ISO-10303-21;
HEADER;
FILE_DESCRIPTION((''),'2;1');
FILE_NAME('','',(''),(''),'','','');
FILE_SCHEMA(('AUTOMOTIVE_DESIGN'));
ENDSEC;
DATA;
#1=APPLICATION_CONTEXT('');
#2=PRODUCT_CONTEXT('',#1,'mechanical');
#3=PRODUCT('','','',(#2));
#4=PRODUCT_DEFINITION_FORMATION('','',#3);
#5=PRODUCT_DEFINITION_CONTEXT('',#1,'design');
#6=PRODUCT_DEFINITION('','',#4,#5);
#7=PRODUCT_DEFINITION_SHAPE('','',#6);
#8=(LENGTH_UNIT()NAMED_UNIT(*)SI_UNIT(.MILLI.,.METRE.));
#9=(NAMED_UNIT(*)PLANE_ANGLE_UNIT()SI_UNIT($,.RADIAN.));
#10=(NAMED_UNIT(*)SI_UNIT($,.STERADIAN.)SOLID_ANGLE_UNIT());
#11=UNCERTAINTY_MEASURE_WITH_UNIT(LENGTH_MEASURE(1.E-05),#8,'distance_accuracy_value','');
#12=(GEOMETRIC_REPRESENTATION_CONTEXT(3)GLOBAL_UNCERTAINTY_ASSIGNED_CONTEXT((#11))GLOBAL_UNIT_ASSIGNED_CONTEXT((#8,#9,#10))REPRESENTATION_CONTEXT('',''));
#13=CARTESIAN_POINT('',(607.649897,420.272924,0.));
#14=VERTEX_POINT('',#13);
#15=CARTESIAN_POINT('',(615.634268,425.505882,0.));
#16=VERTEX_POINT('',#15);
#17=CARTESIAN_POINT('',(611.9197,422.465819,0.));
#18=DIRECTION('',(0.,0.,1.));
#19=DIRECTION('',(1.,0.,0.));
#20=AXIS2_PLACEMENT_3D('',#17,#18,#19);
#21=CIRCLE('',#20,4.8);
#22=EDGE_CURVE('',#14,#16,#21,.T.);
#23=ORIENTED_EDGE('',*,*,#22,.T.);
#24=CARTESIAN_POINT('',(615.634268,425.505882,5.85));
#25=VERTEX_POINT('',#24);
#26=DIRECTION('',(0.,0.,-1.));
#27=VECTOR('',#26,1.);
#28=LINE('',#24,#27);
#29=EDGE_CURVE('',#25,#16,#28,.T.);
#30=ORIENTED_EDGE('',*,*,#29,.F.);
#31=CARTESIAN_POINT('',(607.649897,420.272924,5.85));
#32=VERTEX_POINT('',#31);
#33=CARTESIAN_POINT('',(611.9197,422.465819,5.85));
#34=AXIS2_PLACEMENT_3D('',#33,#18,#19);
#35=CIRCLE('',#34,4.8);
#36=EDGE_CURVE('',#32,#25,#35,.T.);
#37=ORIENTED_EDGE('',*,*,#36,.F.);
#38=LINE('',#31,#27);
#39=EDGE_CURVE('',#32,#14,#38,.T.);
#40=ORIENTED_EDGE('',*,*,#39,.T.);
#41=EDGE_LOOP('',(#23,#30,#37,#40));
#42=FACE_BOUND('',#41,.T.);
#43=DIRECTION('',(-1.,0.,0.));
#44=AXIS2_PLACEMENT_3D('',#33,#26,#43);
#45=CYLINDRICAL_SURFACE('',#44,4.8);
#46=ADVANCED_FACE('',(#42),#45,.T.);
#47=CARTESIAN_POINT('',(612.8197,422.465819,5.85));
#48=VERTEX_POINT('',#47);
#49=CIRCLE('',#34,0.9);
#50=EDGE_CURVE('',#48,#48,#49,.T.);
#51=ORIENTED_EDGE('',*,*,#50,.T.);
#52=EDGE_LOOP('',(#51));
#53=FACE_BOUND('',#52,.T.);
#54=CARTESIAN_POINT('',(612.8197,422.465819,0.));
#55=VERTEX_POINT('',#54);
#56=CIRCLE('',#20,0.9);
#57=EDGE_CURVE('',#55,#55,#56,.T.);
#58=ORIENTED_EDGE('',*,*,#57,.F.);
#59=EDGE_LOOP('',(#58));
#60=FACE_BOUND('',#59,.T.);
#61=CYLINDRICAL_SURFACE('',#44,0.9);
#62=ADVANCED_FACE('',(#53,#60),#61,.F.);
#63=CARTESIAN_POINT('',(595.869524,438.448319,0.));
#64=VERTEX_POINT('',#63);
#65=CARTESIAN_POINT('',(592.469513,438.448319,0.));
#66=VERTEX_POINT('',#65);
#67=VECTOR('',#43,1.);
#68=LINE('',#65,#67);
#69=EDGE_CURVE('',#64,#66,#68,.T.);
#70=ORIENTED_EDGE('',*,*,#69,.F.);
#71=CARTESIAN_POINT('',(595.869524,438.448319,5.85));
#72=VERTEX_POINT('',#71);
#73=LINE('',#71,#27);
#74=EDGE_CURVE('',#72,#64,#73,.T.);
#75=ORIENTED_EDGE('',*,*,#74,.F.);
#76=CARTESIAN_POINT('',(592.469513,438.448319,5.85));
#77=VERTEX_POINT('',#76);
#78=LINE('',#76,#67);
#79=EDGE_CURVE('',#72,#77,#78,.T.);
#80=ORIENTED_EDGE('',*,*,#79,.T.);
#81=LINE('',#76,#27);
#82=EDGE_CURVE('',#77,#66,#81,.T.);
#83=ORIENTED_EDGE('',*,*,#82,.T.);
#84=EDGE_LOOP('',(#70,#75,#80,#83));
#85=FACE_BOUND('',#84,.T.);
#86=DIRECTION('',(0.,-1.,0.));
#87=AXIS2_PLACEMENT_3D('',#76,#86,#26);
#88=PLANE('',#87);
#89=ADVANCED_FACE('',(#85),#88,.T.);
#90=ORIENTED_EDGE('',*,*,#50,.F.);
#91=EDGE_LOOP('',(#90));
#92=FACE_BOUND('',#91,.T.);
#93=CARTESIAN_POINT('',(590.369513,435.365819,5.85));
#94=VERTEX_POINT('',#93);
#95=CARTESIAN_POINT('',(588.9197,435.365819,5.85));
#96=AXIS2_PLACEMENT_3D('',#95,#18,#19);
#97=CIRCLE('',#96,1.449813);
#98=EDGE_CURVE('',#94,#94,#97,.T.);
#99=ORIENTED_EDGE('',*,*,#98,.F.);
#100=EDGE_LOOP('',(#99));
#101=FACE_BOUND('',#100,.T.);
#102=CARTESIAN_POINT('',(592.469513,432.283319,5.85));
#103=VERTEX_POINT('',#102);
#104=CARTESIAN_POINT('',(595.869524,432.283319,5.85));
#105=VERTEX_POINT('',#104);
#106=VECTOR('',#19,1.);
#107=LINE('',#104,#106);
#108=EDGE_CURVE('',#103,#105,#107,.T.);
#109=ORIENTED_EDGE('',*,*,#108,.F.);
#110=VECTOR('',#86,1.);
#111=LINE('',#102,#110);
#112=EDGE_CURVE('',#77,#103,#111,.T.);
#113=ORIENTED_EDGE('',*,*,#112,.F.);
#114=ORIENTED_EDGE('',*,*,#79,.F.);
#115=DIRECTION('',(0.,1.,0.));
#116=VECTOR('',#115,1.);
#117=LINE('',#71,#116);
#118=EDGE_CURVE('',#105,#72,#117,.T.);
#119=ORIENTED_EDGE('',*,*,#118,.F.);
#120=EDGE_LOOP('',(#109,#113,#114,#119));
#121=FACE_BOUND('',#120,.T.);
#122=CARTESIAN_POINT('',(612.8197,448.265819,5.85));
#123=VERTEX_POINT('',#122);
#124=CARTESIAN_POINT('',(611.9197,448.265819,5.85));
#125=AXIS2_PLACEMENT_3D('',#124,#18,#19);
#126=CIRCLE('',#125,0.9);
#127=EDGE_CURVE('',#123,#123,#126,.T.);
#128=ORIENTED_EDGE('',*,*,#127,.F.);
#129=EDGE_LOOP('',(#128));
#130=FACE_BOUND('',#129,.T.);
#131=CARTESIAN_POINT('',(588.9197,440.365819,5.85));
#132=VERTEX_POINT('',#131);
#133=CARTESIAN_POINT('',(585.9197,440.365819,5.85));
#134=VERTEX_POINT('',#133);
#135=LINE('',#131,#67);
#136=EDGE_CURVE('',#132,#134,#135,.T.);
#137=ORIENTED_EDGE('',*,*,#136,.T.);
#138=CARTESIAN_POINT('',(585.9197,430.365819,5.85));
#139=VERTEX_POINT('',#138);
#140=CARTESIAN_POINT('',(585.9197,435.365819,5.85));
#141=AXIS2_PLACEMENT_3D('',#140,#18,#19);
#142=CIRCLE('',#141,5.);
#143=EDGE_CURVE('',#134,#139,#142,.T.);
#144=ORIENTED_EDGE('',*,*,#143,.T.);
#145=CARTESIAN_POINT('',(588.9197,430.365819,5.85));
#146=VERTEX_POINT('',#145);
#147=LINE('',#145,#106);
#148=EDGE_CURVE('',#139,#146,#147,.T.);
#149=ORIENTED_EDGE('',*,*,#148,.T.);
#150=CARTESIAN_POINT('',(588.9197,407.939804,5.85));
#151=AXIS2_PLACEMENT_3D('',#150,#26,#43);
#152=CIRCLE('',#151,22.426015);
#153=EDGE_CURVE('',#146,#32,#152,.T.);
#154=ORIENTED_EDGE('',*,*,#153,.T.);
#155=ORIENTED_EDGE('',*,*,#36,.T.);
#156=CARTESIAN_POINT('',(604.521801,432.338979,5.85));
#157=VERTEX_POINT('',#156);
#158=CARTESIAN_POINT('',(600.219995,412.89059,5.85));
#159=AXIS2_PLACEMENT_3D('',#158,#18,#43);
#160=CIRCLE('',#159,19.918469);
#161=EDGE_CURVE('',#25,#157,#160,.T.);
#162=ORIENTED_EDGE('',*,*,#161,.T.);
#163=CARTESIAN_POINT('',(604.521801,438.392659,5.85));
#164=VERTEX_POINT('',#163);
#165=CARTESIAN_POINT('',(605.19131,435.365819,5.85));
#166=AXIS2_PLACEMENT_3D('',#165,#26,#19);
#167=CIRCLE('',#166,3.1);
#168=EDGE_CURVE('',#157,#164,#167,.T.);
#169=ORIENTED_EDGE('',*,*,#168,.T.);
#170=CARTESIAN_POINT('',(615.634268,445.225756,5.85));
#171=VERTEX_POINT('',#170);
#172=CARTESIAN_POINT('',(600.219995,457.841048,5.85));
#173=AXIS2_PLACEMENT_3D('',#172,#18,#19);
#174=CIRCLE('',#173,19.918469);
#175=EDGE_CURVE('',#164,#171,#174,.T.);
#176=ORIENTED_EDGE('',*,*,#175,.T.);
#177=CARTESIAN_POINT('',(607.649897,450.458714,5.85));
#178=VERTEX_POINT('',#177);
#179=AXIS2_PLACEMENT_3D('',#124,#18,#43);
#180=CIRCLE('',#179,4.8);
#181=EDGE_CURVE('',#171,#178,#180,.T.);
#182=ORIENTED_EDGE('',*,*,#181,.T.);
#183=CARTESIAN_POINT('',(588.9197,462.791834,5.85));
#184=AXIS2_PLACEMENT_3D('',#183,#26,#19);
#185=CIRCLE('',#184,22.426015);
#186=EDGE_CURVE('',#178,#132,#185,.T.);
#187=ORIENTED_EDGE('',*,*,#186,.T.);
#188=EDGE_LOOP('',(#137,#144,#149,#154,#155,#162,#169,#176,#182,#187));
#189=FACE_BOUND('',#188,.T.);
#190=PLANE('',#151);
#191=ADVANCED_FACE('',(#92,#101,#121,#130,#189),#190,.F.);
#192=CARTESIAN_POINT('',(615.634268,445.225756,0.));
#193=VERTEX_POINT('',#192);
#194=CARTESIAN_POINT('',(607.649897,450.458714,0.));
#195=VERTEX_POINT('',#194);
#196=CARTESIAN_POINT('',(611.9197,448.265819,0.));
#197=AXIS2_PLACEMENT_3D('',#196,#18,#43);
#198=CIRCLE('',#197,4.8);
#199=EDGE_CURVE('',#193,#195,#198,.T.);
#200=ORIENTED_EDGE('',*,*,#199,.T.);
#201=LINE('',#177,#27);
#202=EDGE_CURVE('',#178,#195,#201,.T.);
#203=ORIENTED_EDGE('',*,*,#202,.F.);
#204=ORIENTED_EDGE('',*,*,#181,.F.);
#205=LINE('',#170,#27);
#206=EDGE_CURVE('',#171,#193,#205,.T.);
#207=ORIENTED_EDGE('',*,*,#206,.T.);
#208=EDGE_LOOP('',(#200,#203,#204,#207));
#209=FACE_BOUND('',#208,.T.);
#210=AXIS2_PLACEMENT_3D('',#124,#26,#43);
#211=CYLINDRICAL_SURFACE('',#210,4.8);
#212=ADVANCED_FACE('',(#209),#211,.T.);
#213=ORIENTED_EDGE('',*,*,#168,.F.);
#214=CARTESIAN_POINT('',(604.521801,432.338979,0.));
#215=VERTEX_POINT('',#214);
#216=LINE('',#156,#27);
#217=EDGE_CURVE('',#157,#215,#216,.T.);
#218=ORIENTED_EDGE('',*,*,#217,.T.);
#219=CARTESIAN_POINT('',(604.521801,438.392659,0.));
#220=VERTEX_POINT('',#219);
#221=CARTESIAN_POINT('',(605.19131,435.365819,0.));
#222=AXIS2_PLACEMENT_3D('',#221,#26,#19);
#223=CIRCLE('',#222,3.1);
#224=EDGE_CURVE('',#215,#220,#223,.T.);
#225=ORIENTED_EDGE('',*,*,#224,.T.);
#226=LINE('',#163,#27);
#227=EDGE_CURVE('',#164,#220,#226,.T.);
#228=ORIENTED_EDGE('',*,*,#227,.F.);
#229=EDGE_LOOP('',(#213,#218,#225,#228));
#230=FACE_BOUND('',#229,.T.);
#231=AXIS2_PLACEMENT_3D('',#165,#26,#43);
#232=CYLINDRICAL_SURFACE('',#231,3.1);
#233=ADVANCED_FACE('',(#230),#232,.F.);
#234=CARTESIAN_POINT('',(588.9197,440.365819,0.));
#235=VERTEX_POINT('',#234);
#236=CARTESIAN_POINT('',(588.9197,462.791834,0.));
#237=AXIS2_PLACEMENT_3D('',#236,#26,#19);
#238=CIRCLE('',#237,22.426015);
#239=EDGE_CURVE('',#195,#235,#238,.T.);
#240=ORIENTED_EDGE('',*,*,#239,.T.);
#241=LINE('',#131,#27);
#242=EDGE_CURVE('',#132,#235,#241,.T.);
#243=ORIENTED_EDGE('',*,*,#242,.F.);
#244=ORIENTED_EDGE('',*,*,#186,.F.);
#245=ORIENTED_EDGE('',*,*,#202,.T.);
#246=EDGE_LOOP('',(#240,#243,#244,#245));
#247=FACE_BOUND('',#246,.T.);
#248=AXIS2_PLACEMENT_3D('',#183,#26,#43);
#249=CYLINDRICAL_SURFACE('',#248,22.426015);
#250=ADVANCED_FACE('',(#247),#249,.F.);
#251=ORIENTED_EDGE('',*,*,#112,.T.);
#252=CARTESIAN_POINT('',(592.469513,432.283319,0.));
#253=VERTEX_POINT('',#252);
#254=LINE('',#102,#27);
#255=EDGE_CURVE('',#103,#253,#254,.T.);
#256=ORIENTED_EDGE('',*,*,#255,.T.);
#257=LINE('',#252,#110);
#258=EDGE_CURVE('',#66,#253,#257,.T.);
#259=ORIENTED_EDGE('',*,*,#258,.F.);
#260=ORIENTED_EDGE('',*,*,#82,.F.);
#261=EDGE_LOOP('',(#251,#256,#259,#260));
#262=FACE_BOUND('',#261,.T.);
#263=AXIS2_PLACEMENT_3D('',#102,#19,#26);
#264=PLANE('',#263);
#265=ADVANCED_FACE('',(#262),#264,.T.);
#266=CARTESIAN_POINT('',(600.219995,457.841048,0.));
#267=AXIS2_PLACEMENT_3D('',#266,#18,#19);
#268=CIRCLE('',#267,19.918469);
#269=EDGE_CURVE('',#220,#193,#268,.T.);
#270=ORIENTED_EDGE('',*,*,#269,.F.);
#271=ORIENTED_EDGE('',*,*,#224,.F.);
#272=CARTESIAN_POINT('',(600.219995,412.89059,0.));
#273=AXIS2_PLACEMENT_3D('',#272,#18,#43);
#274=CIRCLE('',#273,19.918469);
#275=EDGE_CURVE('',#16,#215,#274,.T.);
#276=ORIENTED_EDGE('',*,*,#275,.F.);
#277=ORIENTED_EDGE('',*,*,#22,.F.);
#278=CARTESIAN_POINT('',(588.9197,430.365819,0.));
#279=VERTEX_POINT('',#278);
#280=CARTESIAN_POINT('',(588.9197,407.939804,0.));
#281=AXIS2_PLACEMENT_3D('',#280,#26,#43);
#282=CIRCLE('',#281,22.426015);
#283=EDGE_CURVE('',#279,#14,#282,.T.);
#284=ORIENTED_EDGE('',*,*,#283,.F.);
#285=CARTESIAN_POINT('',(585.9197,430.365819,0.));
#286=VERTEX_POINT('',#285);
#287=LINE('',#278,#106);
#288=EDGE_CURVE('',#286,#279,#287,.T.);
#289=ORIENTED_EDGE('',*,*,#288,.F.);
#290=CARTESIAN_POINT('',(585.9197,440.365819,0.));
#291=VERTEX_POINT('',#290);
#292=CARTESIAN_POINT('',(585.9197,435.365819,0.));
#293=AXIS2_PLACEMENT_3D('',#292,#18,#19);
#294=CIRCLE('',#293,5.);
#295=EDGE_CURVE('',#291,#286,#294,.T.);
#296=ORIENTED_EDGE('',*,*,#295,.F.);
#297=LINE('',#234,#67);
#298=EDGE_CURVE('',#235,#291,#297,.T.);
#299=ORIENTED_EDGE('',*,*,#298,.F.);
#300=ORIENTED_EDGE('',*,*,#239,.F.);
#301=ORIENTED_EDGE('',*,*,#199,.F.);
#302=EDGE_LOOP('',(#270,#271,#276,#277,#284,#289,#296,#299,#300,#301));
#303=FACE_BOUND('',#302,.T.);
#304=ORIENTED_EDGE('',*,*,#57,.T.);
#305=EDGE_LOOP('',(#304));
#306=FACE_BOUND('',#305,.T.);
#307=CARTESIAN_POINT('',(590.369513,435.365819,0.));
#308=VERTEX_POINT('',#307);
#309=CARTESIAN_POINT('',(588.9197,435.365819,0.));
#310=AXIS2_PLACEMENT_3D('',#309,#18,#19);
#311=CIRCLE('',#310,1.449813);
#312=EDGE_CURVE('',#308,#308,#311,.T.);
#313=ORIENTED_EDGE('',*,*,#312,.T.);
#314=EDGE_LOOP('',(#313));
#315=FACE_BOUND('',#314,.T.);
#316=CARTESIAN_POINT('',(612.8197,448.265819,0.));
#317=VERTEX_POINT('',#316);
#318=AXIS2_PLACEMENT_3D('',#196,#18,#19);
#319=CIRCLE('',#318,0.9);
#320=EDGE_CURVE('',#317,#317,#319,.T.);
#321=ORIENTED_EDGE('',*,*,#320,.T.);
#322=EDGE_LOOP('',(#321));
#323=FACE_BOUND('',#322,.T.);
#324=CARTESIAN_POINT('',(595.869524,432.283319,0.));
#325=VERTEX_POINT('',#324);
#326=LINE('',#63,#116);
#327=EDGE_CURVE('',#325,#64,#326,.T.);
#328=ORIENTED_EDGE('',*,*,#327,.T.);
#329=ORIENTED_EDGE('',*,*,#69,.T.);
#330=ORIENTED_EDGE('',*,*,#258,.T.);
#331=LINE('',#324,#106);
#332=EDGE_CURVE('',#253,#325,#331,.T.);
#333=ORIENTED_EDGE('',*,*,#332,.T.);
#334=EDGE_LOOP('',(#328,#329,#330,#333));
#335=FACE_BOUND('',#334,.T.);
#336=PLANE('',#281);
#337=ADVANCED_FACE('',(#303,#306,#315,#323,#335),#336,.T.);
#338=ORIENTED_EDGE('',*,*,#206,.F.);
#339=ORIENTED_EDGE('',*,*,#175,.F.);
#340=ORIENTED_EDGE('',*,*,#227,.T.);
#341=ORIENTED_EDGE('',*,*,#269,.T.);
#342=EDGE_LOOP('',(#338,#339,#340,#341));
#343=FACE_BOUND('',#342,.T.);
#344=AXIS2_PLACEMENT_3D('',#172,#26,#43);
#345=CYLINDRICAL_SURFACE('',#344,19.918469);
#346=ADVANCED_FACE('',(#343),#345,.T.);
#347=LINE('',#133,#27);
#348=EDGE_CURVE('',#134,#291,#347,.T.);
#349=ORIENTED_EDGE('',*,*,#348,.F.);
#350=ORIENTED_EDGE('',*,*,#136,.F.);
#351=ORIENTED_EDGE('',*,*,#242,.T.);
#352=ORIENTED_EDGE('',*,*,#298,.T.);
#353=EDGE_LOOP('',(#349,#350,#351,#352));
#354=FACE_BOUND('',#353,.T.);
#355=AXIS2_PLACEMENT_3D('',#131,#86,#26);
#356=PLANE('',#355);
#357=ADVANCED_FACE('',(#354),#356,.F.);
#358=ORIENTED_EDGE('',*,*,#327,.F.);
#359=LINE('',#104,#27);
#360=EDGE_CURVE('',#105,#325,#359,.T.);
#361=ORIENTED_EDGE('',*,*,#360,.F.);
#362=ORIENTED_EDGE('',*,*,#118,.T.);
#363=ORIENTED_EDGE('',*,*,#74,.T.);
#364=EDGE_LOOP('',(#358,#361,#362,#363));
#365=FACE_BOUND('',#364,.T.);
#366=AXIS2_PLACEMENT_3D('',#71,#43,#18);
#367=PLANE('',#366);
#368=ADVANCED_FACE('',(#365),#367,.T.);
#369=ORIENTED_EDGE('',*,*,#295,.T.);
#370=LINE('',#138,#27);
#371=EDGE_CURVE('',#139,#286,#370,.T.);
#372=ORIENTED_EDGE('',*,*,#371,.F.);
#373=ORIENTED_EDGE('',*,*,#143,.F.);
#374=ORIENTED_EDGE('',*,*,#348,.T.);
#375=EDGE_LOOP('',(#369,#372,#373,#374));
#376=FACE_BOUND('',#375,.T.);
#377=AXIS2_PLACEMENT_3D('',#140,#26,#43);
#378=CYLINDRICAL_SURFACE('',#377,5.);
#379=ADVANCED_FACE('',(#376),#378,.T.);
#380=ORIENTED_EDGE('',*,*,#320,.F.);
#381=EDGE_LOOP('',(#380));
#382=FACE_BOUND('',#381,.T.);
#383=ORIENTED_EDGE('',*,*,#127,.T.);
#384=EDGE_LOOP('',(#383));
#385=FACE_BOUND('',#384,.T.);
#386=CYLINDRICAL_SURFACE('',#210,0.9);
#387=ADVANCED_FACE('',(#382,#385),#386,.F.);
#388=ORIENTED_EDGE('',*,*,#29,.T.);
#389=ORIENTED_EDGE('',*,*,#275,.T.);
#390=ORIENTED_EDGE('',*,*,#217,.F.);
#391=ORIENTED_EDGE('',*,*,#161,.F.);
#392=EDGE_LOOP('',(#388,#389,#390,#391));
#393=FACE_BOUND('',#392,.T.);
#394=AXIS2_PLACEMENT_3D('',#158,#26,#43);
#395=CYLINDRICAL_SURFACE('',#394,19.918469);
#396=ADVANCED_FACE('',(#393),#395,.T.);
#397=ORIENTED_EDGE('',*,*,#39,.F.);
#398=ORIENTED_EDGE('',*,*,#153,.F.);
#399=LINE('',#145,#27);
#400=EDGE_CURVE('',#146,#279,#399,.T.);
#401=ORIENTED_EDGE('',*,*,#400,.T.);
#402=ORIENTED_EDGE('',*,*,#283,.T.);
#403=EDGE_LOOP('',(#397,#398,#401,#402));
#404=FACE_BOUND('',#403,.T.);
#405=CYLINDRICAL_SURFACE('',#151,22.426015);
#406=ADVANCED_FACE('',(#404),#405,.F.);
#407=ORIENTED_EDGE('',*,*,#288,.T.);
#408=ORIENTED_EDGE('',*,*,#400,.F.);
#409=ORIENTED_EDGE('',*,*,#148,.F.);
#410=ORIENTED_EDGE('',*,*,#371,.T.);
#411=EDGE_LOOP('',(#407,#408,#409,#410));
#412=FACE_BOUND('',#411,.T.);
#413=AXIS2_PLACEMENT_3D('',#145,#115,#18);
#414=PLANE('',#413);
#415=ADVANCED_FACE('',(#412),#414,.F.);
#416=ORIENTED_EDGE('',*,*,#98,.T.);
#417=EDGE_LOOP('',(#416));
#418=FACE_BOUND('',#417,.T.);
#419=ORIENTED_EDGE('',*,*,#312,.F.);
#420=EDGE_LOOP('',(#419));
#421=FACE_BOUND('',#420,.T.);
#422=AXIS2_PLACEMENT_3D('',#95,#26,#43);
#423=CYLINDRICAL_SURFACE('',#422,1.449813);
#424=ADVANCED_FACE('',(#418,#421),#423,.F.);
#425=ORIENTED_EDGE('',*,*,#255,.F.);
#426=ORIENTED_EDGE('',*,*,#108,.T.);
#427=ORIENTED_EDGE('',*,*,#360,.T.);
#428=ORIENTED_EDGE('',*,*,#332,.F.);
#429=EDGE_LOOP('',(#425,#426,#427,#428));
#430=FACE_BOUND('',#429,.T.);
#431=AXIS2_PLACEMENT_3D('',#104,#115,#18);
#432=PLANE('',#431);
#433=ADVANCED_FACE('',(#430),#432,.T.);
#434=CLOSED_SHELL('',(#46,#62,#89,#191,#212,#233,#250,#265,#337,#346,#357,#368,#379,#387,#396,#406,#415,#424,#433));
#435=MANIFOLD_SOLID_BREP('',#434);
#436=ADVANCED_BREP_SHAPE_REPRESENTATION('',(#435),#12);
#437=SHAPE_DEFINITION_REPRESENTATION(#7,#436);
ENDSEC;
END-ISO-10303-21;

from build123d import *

# Parameters (mm, degrees)
SKETCH1_R           = 0.9
SKETCH1_R_2         = 1.449813
SKETCH1_W           = 3.400011
SKETCH1_H           = 6.165
BOSS_EXTRUDE1_DEPTH = 5.85


with BuildPart() as part:
    # Sketch1 → Boss-Extrude1 (new body)
    with BuildSketch(Plane.XY):
        with BuildLine():
            Line((588.919699582, 440.365819013), (585.919699582, 440.365819013))
            ThreePointArc((585.919699582, 440.365819013), (580.919699582, 435.365819013), (585.919699582, 430.365819013))
            Line((585.919699582, 430.365819013), (588.919699582, 430.365819013))
            ThreePointArc((588.919699582, 430.365819013), (599.557918625, 427.682003659), (607.649897061, 420.272924481))
            ThreePointArc((607.649897061, 420.272924481), (614.550865316, 418.451224777), (615.634267587, 425.505882259))
            ThreePointArc((615.634267587, 425.505882259), (610.653294544, 429.857960207), (604.521800574, 432.33897948))
            ThreePointArc((604.521800574, 432.33897948), (602.091309675, 435.365819013), (604.521800574, 438.392658547))
            ThreePointArc((604.521800574, 438.392658547), (610.653294544, 440.87367782), (615.634267587, 445.225755768))
            ThreePointArc((615.634267587, 445.225755768), (614.550865316, 452.28041325), (607.649897061, 450.458713546))
            ThreePointArc((607.649897061, 450.458713546), (599.557918625, 443.049634368), (588.919699582, 440.365819013))
        make_face()
        with Locations((611.919699582, 448.265819013)):
            Circle(SKETCH1_R, mode=Mode.SUBTRACT)
        with Locations((611.919699582, 422.465819013)):
            Circle(SKETCH1_R, mode=Mode.SUBTRACT)
        with Locations((588.919699582, 435.365819013)):
            Circle(SKETCH1_R_2, mode=Mode.SUBTRACT)
        with Locations((594.169518082, 435.365819013)):
            Rectangle(SKETCH1_W, SKETCH1_H, mode=Mode.SUBTRACT)
    extrude(amount=BOSS_EXTRUDE1_DEPTH)


solid = part.part
